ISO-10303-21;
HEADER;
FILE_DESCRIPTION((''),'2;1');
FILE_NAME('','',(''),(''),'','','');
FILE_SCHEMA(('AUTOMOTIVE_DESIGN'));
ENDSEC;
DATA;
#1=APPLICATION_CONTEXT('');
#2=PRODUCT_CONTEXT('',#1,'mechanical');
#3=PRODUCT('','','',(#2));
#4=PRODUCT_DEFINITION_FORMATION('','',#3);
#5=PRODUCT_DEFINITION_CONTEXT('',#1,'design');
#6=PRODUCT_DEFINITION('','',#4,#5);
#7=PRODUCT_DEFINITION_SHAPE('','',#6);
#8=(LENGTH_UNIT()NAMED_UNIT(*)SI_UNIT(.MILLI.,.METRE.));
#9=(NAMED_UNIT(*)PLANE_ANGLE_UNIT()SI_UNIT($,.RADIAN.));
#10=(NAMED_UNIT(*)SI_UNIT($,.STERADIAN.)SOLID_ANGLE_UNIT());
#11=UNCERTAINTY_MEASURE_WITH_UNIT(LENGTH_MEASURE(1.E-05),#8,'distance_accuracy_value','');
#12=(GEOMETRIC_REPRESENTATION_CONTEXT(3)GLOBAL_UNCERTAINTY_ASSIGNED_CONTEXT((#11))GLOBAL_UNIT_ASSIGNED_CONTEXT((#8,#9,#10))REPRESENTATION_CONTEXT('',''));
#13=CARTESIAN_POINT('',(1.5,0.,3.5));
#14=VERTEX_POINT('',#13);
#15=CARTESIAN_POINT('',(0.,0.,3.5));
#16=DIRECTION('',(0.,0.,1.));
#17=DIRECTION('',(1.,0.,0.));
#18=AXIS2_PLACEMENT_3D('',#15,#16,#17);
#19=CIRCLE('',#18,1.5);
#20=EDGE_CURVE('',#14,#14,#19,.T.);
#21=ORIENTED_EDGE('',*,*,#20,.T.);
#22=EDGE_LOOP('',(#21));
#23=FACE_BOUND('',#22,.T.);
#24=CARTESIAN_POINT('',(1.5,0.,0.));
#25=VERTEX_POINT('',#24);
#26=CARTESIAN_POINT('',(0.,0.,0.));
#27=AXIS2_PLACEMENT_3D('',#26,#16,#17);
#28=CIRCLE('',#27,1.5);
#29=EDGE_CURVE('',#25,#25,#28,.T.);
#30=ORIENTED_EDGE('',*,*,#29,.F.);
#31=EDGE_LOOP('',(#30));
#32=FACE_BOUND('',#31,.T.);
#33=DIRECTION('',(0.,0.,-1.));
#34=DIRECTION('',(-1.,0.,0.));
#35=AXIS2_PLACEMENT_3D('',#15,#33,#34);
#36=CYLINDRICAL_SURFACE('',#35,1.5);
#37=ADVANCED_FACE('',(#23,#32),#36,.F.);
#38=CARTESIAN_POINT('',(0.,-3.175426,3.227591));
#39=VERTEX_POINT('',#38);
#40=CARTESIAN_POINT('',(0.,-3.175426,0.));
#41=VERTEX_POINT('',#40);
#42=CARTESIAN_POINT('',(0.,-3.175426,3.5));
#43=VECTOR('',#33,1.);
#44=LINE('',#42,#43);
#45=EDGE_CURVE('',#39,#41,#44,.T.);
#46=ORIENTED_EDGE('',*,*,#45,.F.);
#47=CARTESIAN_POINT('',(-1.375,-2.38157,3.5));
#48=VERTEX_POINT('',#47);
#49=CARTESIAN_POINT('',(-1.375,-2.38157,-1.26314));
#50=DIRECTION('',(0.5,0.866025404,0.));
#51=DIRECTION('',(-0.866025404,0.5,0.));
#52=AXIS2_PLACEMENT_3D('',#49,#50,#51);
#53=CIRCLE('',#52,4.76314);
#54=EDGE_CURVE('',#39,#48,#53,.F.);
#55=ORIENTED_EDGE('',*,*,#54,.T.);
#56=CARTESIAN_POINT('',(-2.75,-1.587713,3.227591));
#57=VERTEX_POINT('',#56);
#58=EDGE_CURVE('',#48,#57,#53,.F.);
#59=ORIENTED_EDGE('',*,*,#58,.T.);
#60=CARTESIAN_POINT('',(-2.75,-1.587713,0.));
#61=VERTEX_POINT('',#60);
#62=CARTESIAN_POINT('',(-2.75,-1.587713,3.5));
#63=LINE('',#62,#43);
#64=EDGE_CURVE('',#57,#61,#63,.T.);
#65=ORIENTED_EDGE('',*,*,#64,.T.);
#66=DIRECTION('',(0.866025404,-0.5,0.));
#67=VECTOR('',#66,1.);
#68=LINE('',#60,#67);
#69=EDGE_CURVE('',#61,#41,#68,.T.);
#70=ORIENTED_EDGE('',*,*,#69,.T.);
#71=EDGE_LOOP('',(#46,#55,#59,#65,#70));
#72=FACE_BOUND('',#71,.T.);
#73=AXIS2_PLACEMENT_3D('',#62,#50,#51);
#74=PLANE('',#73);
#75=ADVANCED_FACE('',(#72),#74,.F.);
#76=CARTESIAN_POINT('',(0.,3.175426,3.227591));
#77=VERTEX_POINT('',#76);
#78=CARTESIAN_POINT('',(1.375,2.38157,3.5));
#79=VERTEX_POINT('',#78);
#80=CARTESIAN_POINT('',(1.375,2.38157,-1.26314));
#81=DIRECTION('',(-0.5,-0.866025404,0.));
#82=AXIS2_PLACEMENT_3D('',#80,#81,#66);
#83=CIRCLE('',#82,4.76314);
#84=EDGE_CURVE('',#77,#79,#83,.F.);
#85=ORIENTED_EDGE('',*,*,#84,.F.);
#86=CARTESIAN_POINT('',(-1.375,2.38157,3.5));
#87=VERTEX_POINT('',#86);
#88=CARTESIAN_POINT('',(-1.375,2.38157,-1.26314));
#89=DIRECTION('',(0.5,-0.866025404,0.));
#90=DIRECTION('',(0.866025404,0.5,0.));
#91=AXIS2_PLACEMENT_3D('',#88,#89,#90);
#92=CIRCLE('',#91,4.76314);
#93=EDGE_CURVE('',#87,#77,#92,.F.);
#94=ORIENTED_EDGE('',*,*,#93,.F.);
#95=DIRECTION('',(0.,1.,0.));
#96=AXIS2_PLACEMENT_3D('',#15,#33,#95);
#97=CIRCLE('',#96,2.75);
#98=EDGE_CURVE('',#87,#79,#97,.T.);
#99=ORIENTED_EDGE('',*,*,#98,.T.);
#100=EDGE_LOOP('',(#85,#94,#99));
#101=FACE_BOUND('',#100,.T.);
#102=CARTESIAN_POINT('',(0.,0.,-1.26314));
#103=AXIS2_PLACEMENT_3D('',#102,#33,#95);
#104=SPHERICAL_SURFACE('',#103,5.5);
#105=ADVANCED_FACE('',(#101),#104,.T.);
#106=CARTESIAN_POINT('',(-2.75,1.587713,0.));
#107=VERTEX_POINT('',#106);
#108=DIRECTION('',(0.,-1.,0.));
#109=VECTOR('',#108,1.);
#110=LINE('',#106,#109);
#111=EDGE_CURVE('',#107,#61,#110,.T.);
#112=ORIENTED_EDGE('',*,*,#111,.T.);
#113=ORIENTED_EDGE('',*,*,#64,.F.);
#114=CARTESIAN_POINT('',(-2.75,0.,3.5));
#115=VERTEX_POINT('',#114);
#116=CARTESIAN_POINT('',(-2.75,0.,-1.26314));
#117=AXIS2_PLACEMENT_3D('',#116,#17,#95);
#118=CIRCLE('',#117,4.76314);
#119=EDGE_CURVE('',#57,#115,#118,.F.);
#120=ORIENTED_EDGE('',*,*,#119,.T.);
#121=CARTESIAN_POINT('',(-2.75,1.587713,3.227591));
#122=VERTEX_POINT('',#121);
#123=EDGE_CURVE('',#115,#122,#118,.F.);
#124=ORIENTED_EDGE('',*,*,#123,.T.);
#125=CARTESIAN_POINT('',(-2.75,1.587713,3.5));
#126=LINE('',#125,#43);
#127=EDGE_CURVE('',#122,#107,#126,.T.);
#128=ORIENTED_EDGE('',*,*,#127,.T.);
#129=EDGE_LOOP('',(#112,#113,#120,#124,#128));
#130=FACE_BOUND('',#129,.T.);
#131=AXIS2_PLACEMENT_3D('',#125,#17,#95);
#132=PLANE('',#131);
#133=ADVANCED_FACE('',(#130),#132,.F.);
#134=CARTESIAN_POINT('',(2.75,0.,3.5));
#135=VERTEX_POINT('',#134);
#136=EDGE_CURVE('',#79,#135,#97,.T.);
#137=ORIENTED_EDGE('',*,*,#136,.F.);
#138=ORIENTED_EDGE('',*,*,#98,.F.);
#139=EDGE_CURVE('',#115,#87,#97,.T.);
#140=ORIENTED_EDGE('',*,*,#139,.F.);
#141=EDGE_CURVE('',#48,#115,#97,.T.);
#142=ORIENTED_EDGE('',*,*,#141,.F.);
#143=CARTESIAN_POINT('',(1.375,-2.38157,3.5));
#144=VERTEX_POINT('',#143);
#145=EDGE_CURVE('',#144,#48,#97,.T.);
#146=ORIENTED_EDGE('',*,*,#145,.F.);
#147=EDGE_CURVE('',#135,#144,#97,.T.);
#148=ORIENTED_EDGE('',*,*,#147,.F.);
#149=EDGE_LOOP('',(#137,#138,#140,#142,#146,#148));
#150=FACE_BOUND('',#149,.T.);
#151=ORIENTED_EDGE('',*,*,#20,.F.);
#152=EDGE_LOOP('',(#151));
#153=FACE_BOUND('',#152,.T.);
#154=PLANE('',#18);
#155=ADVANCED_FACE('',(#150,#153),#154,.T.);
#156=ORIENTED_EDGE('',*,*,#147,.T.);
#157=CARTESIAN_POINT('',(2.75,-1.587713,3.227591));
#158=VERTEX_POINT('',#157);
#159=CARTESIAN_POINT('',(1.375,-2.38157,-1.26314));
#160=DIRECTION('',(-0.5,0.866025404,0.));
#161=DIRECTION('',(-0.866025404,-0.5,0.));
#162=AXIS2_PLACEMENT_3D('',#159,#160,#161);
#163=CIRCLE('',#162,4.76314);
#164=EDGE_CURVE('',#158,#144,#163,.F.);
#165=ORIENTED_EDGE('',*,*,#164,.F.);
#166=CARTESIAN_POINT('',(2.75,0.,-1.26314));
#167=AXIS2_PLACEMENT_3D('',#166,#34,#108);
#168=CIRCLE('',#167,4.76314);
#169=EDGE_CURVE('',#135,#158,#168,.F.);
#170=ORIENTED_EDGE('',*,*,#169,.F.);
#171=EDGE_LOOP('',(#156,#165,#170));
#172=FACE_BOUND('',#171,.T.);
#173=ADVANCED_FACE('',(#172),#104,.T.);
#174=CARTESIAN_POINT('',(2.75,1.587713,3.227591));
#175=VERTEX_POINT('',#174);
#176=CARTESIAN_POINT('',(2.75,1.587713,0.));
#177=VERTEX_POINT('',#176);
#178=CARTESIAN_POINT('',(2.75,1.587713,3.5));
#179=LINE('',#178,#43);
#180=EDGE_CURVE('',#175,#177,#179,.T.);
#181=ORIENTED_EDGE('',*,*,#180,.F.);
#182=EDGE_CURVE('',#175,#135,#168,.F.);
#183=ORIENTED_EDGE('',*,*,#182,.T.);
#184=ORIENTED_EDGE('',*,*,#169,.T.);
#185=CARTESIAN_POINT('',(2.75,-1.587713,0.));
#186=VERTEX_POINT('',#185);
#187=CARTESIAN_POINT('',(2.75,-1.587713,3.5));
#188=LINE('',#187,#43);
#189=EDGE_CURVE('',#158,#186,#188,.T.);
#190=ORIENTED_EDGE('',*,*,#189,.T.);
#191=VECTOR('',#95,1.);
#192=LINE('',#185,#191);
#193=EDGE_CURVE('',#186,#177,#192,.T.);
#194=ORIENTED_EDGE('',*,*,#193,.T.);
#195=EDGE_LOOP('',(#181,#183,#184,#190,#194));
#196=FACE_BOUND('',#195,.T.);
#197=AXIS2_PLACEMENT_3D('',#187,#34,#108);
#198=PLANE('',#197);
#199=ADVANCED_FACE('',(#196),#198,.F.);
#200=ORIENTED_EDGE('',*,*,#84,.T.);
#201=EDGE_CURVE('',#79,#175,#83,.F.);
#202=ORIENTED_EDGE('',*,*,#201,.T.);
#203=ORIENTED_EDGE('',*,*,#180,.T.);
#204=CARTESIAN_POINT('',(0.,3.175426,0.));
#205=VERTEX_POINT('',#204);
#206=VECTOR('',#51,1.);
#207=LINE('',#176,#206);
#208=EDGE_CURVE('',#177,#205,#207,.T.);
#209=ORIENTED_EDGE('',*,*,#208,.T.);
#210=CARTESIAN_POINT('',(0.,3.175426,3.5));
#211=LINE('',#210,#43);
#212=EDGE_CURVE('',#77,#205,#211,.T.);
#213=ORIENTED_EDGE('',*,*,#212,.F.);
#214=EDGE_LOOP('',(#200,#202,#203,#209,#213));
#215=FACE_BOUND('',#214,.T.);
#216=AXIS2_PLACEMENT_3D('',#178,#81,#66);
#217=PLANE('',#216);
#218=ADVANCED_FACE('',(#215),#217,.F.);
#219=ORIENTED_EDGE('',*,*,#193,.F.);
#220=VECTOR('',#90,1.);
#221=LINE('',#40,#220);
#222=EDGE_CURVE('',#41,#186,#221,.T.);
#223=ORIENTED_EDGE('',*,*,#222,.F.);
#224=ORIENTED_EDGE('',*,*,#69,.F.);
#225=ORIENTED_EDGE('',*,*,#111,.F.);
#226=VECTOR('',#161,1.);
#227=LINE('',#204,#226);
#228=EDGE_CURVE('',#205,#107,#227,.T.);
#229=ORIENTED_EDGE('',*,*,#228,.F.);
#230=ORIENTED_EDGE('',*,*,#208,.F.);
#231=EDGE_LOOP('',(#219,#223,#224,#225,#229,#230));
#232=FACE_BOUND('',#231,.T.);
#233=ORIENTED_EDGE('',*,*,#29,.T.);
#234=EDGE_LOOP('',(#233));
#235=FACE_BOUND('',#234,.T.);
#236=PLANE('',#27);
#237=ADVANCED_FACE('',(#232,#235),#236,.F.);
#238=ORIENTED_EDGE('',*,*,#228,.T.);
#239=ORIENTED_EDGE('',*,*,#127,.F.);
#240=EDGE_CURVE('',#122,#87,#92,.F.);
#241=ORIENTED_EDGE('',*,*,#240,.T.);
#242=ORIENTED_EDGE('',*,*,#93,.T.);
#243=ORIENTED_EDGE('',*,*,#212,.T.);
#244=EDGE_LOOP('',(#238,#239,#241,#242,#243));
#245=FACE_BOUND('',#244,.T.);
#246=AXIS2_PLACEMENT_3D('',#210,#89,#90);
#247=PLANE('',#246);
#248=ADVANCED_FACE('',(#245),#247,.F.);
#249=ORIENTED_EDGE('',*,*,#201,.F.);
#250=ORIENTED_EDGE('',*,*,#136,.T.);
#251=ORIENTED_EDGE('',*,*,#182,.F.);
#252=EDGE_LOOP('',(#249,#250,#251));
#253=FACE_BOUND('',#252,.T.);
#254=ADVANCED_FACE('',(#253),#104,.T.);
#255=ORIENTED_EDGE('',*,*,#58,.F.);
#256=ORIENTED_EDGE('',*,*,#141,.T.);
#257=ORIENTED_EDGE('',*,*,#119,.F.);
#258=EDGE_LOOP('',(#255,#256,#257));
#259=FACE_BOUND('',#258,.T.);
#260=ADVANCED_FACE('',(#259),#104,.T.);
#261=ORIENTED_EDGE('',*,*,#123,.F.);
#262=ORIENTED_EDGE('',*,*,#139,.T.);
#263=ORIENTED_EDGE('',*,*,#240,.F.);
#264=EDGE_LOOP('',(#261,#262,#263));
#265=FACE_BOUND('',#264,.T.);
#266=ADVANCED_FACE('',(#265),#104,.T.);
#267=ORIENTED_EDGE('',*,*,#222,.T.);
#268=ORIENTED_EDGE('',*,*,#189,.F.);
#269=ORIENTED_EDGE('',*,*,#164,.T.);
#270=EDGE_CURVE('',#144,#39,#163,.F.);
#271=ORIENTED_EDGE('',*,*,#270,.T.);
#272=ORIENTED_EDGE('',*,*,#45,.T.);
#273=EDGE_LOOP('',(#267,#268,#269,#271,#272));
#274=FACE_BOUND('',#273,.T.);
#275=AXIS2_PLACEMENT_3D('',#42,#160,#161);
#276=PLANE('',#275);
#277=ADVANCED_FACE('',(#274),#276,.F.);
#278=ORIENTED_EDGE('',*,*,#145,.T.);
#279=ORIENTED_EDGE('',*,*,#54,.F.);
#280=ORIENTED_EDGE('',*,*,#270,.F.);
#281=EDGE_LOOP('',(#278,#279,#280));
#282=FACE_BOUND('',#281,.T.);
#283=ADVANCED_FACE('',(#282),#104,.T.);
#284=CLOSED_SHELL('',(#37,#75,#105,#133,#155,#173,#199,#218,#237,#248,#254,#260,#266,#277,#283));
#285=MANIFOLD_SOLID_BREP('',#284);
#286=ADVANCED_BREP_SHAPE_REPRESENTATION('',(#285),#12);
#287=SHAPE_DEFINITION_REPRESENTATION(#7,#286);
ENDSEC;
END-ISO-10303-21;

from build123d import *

# Parameters (mm, degrees)
SKETCH_1_R      = 1.5
EXTRUDE_1_DEPTH = 3.5


with BuildPart() as part:
    # ｽｹｯﾁ1 → ﾎﾞｽ - 押し出し1 (new body)
    with BuildSketch(Plane.XY):
        Polygon((0, 3.175426481), (-2.75, 1.58771324), (-2.75, -1.58771324), (0, -3.175426481), (2.75, -1.58771324), (2.75, 1.58771324), align=None)
        Circle(SKETCH_1_R, mode=Mode.SUBTRACT)
    extrude(amount=EXTRUDE_1_DEPTH)

    # ｽｹｯﾁ5 → ｶｯﾄ - 回転2 (revolve, cut)
    with BuildSketch(Plane(origin=(0, 0, 0), x_dir=(0, 0, -1), z_dir=(1, 0, 0))):
        with BuildLine():
            Line((-3.227591474, 3.175426481), (-3.5, 3.175426481))
            Line((-3.5, 3.175426481), (-3.5, 2.75))
            ThreePointArc((-3.5, 2.75), (-3.368682669, 2.965842434), (-3.227591474, 3.175426481))
        make_face()
    revolve(axis=Axis((0, 0, 0), (0, 0, 1)), mode=Mode.SUBTRACT)


solid = part.part
